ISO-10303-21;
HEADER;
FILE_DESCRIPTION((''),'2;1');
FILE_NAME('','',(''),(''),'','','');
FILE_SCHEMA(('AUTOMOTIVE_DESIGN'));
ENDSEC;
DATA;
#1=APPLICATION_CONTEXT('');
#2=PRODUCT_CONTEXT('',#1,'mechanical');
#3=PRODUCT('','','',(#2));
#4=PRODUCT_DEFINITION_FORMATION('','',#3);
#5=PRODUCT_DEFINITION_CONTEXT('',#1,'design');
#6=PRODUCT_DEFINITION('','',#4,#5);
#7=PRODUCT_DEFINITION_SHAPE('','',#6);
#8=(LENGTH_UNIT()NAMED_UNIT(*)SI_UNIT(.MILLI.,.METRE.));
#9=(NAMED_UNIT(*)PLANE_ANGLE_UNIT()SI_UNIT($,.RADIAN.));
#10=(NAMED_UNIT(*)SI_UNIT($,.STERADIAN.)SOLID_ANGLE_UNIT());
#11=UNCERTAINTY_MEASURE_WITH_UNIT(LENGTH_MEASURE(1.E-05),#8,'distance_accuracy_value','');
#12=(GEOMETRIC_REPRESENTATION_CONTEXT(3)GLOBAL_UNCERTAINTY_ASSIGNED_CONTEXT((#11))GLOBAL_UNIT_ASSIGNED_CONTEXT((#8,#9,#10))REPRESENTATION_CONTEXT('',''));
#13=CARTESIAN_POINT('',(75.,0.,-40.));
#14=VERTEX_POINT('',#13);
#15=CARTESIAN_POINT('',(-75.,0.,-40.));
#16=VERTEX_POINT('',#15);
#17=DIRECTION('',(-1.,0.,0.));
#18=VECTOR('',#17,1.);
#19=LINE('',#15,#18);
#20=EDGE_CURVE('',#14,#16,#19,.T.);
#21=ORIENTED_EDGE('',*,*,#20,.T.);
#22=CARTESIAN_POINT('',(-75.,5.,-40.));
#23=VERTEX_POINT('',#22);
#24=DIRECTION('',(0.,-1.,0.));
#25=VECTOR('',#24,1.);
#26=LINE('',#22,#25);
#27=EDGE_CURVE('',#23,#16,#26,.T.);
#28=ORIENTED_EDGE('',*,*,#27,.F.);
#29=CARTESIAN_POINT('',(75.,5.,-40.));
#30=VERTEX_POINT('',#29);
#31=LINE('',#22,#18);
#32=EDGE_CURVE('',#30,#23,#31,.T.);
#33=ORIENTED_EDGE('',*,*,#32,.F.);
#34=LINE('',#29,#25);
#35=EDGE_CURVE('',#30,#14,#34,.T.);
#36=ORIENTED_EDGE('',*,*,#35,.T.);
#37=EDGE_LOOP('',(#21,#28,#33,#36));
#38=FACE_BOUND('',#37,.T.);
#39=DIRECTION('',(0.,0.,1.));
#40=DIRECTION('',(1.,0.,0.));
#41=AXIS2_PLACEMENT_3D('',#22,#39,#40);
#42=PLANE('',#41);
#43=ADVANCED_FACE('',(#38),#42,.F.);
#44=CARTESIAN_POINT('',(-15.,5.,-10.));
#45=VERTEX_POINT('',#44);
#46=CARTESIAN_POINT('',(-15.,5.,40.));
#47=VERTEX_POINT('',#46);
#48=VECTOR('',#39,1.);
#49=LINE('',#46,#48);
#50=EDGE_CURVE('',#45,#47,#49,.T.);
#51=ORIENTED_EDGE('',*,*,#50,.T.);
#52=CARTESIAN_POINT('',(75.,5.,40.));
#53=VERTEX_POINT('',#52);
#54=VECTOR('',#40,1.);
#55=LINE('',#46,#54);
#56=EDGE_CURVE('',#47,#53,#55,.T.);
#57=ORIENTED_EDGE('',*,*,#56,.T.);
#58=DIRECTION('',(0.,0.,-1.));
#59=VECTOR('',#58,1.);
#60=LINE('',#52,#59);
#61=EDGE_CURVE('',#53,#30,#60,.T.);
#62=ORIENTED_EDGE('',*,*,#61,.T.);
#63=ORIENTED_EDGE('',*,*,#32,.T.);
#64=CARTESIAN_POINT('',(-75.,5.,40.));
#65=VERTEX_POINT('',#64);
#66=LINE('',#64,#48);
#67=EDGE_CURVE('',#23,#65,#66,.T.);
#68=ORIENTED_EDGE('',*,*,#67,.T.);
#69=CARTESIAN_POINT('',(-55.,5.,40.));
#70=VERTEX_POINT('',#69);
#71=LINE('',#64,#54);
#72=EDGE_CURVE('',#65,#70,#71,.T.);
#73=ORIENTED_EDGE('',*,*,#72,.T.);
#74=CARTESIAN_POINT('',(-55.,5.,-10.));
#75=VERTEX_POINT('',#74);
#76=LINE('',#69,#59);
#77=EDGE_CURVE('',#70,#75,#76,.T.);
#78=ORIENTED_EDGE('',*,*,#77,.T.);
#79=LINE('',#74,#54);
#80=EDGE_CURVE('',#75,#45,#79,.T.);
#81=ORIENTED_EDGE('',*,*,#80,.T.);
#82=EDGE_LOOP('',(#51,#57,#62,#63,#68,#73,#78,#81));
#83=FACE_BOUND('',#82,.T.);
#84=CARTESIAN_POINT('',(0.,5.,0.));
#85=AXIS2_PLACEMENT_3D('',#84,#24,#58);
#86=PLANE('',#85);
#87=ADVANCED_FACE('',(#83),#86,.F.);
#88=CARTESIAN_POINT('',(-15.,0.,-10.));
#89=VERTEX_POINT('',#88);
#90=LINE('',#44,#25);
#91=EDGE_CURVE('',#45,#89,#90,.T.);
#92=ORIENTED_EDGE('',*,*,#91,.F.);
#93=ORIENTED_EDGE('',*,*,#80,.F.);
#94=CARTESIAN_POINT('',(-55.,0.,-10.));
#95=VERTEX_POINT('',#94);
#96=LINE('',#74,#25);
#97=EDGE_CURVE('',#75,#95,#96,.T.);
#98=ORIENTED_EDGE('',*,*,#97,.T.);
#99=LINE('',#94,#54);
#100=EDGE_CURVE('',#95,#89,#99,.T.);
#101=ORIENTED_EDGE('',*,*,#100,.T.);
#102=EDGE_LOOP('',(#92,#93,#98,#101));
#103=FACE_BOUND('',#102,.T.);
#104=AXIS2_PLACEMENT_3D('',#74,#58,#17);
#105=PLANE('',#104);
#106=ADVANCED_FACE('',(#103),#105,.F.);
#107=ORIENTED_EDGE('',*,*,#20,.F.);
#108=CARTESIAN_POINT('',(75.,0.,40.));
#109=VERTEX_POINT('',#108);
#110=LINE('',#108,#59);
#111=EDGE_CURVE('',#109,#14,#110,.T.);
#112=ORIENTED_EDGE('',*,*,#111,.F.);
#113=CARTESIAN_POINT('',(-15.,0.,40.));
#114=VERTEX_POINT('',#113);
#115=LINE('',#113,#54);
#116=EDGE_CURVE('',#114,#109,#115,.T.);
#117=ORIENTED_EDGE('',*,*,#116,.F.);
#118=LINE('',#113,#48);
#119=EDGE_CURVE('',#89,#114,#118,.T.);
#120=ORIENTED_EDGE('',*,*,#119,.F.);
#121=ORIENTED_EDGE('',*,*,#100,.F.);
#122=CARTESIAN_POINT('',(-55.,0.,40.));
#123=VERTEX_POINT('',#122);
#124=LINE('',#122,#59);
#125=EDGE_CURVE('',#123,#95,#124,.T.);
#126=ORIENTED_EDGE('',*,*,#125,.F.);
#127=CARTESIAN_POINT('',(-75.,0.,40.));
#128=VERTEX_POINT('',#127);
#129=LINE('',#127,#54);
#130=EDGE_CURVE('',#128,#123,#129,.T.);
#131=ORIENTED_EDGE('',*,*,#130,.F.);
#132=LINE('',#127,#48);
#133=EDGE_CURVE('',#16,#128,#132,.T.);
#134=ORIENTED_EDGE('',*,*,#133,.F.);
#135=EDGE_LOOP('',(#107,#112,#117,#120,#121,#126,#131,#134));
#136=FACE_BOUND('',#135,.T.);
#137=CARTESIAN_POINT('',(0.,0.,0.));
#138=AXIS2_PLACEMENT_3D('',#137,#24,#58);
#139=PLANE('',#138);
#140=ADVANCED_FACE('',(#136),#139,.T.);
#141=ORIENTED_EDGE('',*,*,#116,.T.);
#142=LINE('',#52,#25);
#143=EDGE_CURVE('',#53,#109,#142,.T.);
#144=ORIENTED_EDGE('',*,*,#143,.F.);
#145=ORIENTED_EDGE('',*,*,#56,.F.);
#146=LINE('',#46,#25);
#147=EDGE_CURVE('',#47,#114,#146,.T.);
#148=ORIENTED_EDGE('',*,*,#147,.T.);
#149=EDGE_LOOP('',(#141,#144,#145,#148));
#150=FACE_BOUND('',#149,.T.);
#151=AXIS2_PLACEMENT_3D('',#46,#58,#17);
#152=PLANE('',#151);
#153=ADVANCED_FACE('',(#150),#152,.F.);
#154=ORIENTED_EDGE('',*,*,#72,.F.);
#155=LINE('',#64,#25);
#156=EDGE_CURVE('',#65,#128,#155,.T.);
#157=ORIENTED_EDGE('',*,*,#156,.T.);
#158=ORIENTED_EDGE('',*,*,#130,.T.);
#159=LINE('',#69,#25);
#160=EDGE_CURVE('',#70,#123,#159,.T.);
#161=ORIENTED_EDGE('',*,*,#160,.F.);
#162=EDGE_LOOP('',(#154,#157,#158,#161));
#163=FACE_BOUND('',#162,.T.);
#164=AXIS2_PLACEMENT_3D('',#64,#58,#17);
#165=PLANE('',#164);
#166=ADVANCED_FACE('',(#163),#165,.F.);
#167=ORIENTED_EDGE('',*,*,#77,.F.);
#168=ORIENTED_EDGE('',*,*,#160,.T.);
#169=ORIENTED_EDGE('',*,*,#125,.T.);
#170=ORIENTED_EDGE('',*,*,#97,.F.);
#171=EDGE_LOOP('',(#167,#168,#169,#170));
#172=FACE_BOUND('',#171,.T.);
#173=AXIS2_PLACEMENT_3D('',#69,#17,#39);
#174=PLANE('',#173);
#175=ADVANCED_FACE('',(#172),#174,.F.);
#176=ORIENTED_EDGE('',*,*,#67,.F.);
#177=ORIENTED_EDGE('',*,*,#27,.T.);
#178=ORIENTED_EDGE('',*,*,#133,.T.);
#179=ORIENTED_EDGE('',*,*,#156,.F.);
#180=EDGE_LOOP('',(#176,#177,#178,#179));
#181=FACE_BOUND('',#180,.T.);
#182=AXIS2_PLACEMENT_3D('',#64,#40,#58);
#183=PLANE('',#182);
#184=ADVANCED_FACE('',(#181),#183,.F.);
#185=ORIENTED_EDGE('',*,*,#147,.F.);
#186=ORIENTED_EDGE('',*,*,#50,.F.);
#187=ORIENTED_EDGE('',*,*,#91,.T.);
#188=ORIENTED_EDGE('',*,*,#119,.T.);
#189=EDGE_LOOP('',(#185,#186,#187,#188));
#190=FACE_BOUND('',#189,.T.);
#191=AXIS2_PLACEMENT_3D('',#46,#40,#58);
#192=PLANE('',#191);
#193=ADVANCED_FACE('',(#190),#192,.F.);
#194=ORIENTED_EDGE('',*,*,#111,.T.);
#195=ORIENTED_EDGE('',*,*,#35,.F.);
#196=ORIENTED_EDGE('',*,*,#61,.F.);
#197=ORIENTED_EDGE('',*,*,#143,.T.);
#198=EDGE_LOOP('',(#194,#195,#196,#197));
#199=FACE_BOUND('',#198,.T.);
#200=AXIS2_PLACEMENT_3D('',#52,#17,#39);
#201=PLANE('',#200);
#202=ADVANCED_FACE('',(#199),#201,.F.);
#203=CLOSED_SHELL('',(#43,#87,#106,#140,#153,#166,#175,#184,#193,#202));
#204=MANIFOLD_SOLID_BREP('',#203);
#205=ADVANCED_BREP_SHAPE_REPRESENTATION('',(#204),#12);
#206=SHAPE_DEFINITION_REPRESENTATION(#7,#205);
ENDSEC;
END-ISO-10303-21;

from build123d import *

# Parameters (mm, degrees)
BOSS_EXTRUDE1_DEPTH = 5


with BuildPart() as part:
    # Sketch1 → Boss-Extrude1 (new body)
    with BuildSketch(Plane(origin=(0, 0, 0), x_dir=(1, 0, 0), z_dir=(0, 1, 0))):
        Polygon((-15, -40), (75, -40), (75, 40), (-75, 40), (-75, -40), (-55, -40), (-55, 10), (-15, 10), align=None)
    extrude(amount=BOSS_EXTRUDE1_DEPTH)


solid = part.part
